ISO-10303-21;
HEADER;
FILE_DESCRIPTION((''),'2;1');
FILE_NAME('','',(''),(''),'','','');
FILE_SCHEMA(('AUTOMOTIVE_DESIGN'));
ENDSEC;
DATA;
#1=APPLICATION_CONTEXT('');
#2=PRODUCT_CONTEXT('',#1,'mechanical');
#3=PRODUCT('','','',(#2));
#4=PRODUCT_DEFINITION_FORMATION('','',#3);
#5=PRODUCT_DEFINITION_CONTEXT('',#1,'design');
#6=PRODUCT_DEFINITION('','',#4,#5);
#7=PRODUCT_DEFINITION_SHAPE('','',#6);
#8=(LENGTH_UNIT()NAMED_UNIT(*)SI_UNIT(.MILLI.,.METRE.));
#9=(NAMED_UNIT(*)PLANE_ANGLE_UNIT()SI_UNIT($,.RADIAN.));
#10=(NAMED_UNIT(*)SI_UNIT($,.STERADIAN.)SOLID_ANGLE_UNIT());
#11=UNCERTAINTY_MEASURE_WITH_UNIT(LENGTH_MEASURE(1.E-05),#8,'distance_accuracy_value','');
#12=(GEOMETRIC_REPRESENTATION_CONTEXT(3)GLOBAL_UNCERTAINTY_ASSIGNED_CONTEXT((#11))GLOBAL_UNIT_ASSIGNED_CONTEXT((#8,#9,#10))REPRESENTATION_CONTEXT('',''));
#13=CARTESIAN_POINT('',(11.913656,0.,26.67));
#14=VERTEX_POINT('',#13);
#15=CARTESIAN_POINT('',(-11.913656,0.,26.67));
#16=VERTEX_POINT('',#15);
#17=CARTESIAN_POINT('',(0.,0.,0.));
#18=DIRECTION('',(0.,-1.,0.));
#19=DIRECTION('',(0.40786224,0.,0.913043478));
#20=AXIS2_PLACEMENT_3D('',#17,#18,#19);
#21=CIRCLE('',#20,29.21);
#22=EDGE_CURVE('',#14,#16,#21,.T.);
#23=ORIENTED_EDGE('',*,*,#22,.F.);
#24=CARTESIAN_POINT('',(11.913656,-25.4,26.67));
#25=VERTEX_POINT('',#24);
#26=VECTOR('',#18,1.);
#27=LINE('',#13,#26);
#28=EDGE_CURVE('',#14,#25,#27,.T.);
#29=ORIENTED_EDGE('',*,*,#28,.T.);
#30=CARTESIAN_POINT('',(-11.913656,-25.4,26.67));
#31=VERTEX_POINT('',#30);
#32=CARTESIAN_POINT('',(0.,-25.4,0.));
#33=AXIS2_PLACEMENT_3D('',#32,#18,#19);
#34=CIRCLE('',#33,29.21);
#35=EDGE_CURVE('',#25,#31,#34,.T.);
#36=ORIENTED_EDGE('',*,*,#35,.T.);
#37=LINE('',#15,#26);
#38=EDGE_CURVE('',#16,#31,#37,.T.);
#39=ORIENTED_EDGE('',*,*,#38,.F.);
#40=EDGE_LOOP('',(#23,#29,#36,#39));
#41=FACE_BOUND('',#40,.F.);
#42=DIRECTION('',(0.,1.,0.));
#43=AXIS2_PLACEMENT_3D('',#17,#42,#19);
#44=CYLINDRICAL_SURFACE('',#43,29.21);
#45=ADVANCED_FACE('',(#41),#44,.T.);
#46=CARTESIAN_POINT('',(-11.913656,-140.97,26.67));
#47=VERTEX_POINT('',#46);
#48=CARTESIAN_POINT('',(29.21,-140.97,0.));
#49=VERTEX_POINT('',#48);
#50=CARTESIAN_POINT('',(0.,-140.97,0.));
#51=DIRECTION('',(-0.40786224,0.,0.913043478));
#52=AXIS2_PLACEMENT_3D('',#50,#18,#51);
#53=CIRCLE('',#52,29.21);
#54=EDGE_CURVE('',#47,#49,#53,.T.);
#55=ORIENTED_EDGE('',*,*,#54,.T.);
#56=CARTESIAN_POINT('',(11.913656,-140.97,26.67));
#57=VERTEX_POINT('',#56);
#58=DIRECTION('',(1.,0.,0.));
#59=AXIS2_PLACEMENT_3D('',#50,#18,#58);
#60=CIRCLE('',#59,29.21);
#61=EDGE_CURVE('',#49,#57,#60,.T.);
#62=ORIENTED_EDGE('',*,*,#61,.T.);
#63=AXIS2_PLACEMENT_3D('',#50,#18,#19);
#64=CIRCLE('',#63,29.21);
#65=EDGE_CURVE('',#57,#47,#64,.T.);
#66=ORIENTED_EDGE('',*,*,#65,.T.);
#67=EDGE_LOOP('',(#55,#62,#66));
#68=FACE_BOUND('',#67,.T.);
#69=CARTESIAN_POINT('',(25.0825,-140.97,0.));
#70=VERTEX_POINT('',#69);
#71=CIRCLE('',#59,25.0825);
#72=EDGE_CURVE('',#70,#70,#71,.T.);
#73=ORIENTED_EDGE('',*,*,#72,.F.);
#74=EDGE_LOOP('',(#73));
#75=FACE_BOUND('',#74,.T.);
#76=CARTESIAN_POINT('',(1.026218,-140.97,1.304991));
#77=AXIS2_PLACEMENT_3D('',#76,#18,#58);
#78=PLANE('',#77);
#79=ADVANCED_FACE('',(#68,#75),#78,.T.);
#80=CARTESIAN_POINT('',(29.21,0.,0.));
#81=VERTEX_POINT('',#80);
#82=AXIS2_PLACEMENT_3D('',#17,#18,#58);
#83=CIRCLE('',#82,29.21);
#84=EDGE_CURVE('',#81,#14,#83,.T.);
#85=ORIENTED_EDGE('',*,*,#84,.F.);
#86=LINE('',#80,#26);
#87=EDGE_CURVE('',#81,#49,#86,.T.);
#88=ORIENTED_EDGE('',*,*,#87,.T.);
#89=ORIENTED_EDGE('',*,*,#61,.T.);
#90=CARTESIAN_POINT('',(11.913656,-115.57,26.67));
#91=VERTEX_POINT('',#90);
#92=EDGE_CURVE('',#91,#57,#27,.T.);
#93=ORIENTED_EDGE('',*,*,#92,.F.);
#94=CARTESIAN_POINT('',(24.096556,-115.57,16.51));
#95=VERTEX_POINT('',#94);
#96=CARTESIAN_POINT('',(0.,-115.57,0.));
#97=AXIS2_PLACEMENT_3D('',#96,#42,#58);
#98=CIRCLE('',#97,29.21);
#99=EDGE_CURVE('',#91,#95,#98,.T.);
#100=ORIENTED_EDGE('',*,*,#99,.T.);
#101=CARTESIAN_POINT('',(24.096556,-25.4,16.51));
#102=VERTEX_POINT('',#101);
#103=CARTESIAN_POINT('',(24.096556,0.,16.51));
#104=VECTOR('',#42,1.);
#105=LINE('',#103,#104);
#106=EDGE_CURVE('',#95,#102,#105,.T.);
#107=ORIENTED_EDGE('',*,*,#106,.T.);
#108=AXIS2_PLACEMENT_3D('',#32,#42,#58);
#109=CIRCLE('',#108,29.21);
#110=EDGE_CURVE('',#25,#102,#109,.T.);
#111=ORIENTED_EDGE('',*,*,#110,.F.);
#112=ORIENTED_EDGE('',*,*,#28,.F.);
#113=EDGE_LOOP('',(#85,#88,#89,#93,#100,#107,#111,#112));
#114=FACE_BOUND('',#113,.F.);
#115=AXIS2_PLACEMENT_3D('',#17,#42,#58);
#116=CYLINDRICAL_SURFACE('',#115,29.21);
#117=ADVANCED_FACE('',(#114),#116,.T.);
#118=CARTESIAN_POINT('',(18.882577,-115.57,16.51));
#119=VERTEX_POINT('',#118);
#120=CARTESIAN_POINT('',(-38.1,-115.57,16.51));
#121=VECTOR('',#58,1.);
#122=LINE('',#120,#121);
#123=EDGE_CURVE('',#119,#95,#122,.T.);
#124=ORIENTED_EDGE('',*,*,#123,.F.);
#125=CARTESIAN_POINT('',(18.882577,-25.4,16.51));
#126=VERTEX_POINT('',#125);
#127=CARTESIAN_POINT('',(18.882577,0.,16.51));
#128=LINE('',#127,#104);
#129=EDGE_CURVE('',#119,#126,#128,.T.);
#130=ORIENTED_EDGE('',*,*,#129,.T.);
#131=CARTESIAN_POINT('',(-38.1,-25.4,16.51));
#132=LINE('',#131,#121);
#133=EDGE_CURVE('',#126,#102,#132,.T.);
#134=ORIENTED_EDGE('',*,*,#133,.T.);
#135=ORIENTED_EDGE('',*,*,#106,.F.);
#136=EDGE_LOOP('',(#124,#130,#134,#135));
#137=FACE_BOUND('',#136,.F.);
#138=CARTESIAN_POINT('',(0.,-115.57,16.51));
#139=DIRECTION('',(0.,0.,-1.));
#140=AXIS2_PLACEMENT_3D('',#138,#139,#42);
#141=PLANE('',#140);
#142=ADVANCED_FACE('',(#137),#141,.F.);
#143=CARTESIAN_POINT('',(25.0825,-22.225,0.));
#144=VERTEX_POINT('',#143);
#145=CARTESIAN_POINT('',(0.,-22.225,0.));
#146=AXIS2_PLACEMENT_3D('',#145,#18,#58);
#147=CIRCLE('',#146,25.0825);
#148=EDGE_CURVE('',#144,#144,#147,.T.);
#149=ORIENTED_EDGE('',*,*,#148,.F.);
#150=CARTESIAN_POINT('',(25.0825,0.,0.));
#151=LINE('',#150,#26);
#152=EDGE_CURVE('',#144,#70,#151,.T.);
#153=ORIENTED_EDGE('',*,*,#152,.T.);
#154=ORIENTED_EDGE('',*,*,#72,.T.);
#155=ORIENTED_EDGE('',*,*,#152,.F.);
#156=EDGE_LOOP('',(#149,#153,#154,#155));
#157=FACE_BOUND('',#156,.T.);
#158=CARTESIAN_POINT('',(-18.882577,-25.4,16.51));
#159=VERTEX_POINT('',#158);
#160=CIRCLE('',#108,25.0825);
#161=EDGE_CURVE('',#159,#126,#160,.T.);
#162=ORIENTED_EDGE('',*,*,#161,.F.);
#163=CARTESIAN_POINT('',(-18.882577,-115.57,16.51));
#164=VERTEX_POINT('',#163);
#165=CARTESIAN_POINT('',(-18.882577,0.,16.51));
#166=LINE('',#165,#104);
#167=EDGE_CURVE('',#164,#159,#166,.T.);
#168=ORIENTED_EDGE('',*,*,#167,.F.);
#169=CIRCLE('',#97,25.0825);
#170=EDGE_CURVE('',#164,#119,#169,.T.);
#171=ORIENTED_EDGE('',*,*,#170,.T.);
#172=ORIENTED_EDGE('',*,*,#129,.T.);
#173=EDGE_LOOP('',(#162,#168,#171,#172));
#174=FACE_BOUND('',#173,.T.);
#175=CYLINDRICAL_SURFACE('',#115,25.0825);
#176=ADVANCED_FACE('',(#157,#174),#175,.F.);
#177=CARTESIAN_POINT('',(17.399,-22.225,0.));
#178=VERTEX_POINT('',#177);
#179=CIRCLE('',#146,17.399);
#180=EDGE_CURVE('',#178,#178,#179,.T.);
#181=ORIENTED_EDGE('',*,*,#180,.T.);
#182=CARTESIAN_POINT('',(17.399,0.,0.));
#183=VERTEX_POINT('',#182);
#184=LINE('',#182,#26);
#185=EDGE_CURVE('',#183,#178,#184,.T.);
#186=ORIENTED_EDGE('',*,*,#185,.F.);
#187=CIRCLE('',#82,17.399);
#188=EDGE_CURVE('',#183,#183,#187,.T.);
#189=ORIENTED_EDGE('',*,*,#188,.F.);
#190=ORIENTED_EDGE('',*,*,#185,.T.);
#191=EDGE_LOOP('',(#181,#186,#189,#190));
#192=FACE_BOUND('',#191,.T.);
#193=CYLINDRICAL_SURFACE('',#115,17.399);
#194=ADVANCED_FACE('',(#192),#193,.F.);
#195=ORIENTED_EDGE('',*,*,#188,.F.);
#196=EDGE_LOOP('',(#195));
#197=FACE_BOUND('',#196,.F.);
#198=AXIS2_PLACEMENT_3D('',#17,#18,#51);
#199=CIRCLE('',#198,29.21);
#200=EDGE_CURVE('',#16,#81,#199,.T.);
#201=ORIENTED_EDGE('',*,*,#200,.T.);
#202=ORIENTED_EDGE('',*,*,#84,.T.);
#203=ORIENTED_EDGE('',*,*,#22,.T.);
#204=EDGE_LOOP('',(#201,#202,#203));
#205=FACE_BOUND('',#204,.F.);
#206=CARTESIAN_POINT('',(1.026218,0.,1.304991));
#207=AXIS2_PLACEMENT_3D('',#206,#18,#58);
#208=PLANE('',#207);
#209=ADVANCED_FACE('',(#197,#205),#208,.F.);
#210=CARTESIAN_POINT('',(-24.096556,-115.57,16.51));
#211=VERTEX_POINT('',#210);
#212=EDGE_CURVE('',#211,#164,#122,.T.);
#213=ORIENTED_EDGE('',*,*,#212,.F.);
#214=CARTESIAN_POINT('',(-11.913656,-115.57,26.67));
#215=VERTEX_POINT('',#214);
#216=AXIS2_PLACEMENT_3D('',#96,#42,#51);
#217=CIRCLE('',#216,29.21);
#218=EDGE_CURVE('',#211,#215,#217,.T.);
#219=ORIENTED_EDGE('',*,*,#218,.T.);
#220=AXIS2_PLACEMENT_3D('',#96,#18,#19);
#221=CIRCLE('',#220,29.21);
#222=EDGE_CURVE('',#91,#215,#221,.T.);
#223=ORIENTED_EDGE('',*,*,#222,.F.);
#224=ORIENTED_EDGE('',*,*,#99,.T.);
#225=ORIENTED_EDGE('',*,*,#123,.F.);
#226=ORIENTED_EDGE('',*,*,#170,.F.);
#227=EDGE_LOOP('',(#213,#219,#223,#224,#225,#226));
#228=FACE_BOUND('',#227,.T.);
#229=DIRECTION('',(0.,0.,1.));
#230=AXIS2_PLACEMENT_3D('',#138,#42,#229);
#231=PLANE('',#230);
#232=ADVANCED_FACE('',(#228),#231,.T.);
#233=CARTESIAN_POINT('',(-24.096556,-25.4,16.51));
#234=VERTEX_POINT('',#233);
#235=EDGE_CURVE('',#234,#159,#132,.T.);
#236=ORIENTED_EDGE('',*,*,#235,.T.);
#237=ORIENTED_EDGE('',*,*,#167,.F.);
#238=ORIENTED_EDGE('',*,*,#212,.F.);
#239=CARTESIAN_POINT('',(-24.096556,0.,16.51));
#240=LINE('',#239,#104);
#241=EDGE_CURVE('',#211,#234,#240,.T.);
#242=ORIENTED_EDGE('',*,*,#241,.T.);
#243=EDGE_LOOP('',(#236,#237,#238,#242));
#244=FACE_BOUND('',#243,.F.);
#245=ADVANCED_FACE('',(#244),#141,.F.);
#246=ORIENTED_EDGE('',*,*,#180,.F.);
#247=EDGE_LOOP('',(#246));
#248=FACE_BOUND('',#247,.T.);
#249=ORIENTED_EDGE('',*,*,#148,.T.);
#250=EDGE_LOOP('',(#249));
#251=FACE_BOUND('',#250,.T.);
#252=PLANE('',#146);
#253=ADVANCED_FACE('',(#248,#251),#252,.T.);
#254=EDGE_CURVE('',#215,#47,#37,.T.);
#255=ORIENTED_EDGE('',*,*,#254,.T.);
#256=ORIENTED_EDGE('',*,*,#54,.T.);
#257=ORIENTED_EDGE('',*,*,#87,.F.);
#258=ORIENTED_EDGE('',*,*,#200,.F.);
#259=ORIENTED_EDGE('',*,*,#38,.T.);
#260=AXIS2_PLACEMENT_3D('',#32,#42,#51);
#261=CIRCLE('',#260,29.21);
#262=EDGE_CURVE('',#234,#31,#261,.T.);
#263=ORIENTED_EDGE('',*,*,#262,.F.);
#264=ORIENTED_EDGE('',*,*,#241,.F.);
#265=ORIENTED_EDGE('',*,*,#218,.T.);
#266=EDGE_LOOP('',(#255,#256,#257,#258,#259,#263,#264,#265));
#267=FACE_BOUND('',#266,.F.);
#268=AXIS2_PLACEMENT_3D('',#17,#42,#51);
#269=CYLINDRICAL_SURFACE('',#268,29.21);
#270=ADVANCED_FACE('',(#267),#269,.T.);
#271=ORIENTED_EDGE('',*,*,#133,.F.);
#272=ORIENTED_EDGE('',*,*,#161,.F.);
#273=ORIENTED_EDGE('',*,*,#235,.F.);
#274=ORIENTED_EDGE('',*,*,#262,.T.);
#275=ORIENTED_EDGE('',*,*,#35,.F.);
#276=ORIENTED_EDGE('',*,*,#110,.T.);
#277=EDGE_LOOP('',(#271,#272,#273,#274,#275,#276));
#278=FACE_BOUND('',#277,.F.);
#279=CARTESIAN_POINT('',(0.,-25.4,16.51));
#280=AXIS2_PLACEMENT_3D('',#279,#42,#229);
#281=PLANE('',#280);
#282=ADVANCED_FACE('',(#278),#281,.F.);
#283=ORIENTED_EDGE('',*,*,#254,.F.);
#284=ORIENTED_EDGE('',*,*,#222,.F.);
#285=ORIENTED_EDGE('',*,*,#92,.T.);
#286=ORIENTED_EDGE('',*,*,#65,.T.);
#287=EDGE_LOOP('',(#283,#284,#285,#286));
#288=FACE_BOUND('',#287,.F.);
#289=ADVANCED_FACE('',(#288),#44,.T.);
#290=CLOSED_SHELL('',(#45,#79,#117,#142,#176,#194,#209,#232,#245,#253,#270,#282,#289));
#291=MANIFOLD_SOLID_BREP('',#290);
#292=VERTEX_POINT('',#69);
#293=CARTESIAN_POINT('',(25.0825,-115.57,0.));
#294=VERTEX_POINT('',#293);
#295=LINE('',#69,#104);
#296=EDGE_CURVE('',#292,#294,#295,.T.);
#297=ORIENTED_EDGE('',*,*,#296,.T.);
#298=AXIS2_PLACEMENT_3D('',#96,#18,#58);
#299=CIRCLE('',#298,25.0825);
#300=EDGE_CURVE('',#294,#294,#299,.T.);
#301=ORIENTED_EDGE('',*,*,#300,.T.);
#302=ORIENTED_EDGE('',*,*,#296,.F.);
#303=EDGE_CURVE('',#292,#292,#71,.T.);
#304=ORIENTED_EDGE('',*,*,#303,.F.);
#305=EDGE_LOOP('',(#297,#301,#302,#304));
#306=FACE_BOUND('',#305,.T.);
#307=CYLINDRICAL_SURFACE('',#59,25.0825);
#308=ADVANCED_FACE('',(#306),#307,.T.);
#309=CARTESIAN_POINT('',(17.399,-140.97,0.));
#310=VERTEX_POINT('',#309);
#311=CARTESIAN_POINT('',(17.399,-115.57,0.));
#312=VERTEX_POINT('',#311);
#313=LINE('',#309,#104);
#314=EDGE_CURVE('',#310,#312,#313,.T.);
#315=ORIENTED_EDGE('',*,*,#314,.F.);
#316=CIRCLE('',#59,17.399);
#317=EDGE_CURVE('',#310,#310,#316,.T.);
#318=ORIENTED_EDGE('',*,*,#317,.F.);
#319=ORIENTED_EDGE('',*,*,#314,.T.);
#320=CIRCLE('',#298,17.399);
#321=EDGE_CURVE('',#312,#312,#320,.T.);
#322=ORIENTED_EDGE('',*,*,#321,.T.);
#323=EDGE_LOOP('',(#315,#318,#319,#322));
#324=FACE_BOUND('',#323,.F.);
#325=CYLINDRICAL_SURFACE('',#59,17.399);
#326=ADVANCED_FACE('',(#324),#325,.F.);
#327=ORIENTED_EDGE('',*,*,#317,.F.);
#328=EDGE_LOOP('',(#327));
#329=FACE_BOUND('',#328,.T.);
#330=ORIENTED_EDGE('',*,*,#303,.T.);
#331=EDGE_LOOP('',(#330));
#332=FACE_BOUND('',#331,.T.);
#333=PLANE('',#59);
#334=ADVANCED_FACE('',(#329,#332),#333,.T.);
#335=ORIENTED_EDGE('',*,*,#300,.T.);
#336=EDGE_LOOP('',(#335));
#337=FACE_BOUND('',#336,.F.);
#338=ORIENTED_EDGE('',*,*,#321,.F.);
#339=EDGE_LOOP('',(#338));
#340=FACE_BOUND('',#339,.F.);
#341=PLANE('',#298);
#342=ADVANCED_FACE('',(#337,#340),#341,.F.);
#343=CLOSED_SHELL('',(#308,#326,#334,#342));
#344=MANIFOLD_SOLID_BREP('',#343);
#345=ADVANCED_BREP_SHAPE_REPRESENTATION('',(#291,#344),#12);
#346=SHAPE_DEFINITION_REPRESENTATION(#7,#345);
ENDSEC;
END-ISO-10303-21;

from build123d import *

# Parameters (mm, degrees)
F0_R     = 25.0825
F0_R_2   = 17.399
F1_DEPTH = 22.225
F2_DEPTH = 140.97
F3_W     = 90.17
F3_H     = 12.7
F4_DEPTH = 38.1
F5_R     = 25.0825
F5_R_2   = 17.399
F6_DEPTH = 25.4


with BuildPart() as f1:
    # F0 (on Front) → F1 (new body)
    with BuildSketch(Plane.XZ):
        Circle(F0_R)
        Circle(F0_R_2, mode=Mode.SUBTRACT)
    extrude(amount=F1_DEPTH)

    # F0 (on Front) → F2 (join)
    with BuildSketch(Plane.XZ):
        with BuildLine():
            ThreePointArc((-11.91365603, 26.67), (-15.8938070859, -24.5073661644), (29.21, 0))
            ThreePointArc((29.21, 0), (24.5073661644, 15.8938070859), (11.91365603, 26.67))
            Line((11.91365603, 26.67), (-11.91365603, 26.67))
        make_face()
        Circle(F0_R, mode=Mode.SUBTRACT)
        with BuildLine():
            Line((-11.91365603, 26.67), (11.91365603, 26.67))
            ThreePointArc((11.91365603, 26.67), (0, 29.21), (-11.91365603, 26.67))
        make_face()
    extrude(amount=F2_DEPTH)

    # F3 (on Right) → F4 (cut, symmetric)
    with BuildSketch(Plane.YZ):
        with Locations((-70.485, 22.86)):
            Rectangle(F3_W, F3_H)
    extrude(amount=F4_DEPTH, both=True, mode=Mode.SUBTRACT)


with BuildPart() as f6:
    # F5 (on face) → F6 (new body)
    with BuildSketch(Plane.XZ.offset(140.97)):
        Circle(F5_R)
        Circle(F5_R_2, mode=Mode.SUBTRACT)
    extrude(amount=-F6_DEPTH)


solid = Compound([f1.part, f6.part])
